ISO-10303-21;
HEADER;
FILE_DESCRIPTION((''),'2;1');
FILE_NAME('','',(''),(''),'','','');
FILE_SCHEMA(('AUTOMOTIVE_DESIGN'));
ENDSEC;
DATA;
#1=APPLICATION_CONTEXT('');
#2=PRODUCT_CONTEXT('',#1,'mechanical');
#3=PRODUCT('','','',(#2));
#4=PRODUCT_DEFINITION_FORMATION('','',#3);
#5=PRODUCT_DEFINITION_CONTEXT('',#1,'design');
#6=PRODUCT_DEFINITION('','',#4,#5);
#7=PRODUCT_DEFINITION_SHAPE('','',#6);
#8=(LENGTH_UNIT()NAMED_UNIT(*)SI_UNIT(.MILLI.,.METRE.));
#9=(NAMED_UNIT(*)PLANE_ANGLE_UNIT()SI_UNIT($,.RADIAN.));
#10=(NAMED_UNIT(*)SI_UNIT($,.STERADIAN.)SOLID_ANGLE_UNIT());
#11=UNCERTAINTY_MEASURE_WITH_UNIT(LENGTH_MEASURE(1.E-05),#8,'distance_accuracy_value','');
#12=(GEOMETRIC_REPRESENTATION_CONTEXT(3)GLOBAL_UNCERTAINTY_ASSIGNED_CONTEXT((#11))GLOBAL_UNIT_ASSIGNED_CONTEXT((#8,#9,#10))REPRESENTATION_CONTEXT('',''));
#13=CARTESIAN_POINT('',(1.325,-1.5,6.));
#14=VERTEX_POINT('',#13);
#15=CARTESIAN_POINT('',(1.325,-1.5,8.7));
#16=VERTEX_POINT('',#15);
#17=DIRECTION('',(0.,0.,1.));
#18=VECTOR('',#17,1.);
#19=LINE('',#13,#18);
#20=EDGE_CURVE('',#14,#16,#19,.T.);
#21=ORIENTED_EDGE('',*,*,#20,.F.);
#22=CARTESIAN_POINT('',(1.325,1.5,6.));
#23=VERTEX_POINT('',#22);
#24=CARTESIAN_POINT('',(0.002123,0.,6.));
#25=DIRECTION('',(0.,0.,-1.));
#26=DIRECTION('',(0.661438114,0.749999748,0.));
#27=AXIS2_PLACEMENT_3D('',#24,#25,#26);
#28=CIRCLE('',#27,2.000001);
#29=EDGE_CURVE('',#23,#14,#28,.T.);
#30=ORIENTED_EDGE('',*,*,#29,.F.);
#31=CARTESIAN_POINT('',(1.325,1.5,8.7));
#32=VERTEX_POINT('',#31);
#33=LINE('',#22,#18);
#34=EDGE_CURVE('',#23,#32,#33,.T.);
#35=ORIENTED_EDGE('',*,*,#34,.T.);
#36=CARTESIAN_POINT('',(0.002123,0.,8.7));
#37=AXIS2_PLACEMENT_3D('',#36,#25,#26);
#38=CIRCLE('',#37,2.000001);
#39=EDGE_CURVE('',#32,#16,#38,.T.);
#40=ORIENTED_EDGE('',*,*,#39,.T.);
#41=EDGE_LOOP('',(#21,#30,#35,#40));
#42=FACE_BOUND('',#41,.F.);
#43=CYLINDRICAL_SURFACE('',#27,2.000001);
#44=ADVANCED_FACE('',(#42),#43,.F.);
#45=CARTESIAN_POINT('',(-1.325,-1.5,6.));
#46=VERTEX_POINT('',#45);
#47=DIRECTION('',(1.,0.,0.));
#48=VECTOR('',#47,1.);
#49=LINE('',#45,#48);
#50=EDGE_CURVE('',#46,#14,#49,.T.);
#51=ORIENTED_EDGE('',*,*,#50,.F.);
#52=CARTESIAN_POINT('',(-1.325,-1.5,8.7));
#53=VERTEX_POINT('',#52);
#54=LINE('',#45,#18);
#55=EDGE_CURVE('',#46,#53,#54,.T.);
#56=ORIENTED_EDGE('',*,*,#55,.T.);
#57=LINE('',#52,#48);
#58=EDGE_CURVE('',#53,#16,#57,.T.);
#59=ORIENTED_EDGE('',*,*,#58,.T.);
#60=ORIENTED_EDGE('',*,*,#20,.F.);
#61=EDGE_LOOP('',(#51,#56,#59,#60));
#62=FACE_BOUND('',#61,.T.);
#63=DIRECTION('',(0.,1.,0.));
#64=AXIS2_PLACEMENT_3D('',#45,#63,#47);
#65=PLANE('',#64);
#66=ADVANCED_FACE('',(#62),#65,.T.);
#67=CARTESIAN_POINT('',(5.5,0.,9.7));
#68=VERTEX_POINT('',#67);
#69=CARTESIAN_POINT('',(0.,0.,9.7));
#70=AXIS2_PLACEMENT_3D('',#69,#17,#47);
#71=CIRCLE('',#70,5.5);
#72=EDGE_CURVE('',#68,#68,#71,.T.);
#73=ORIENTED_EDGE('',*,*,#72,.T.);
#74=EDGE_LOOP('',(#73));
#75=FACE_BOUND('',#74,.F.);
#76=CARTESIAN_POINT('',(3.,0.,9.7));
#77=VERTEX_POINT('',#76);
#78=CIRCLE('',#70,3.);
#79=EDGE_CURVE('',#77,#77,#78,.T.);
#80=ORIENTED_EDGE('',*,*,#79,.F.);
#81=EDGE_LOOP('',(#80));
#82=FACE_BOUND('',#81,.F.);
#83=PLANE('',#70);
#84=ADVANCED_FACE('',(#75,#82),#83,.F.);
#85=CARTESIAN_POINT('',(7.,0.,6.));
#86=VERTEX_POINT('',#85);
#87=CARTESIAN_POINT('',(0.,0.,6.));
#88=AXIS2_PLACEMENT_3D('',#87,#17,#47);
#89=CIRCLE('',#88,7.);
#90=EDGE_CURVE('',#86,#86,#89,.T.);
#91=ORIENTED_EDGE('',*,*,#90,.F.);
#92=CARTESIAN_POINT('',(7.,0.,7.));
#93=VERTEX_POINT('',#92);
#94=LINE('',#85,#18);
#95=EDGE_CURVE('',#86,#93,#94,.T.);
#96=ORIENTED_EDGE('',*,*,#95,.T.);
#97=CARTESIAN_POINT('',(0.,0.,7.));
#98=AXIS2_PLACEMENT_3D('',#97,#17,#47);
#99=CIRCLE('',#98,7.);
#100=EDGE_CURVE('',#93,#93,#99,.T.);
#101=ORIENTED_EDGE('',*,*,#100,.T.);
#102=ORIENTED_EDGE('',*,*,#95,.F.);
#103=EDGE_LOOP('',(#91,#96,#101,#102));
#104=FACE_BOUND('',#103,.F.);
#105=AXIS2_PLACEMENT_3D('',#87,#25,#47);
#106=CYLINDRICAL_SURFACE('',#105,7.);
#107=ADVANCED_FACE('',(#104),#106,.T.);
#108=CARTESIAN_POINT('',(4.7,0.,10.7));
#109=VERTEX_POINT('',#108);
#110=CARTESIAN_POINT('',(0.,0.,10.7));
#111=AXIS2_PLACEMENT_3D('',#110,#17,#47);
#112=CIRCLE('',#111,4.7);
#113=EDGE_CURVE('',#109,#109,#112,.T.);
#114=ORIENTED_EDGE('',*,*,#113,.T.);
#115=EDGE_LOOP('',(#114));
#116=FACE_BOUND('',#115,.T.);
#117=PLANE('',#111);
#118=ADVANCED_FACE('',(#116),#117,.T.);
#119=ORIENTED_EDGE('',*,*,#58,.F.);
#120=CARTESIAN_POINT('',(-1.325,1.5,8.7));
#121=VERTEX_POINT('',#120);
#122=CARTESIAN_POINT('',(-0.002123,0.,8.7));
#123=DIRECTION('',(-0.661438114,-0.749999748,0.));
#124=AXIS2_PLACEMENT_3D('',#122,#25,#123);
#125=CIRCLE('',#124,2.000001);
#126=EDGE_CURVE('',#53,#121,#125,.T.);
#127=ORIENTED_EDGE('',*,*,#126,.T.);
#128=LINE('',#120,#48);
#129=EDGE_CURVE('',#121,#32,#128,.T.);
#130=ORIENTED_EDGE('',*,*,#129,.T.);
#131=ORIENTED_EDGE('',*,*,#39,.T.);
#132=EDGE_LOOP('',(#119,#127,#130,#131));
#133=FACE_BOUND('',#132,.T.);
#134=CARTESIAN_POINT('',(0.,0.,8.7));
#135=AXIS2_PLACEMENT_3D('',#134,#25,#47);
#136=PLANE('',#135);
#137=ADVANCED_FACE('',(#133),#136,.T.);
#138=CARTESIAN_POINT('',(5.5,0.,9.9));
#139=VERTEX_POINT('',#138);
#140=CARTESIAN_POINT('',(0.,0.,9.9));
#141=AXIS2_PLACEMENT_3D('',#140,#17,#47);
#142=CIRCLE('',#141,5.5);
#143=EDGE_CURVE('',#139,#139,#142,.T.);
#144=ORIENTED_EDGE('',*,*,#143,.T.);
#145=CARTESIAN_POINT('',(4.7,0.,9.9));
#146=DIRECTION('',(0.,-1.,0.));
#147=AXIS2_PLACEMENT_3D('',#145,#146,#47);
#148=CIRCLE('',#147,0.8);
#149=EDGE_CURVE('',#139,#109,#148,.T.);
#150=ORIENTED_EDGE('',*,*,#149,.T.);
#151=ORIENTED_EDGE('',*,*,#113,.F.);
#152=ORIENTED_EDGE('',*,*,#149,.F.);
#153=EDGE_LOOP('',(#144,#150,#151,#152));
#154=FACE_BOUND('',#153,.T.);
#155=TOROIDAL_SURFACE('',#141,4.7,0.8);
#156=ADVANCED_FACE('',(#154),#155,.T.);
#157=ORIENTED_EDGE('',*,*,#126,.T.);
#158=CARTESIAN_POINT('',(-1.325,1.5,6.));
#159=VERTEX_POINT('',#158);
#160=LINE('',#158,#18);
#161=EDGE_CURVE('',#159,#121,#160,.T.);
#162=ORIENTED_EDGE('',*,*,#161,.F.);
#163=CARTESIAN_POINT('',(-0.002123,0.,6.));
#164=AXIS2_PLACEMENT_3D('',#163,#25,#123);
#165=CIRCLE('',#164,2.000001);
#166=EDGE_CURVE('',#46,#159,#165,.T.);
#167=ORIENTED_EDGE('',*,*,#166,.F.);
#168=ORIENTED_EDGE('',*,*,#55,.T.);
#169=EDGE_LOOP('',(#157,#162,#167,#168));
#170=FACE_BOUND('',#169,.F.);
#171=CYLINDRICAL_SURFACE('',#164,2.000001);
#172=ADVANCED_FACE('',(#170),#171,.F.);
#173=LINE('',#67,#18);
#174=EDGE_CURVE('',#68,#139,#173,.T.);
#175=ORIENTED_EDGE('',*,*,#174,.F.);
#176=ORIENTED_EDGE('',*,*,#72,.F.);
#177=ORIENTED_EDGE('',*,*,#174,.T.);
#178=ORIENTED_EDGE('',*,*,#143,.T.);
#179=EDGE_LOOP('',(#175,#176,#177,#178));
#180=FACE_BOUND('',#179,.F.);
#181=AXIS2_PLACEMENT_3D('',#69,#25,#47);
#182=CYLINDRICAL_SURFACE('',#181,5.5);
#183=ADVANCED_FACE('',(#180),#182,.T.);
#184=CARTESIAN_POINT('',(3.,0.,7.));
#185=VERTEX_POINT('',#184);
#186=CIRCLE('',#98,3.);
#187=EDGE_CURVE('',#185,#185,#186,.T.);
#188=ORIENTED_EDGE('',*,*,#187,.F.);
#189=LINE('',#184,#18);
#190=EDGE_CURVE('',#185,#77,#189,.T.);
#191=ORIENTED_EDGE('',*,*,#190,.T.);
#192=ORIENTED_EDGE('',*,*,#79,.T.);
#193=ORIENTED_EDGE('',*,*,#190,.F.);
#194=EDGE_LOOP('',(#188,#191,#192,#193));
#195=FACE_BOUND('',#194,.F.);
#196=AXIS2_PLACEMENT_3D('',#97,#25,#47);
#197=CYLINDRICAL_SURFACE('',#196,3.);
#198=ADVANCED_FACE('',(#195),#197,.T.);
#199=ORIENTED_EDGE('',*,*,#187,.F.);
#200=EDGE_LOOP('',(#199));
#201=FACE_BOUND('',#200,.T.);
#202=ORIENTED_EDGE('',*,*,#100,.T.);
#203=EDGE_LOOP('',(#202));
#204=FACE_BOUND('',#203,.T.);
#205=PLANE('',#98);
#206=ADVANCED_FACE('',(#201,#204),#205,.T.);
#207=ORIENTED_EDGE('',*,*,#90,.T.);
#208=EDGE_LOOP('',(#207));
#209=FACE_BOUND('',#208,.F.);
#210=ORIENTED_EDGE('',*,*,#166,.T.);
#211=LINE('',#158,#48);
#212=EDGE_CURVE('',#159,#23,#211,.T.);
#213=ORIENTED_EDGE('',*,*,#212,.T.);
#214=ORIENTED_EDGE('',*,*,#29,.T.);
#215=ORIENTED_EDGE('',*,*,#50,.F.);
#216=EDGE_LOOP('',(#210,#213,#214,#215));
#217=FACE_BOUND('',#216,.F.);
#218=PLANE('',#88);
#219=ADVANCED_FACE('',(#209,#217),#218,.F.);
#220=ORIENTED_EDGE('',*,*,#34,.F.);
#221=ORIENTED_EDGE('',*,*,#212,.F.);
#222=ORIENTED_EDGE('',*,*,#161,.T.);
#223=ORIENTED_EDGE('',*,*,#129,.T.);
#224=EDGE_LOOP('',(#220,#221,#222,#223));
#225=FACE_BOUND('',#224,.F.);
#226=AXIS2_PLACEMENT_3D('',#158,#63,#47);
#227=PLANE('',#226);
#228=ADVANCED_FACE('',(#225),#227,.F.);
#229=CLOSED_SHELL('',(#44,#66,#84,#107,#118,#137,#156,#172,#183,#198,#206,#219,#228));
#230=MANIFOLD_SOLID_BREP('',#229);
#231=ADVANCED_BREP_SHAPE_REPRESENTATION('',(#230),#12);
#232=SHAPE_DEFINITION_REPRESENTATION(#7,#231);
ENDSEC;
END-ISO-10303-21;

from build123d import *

# Parameters (mm, degrees)
SKETCH006_R     = 7
PAD005_DEPTH    = 1
SKETCH007_R     = 3
PAD006_DEPTH    = 2.7
SKETCH008_R     = 5.5
PAD007_DEPTH    = 1
FILLET_R        = 0.8
POCKET001_DEPTH = 2.7


with BuildPart() as part:
    # Sketch006 → Pad005 (new body)
    with BuildSketch(Plane.XY):
        Circle(SKETCH006_R)
    extrude(amount=PAD005_DEPTH)

    # Sketch007 (on Face3 of Pad005) → Pad006 (join)
    with BuildSketch(Plane.XY.offset(1)):
        Circle(SKETCH007_R)
    extrude(amount=PAD006_DEPTH)

    # Sketch008 (on Face5 of Pad006) → Pad007 (join)
    with BuildSketch(Plane.XY.offset(3.7)):
        Circle(SKETCH008_R)
    extrude(amount=PAD007_DEPTH)

    # Fillet
    fillet_edges = [part.edges().sort_by_distance(p)[0] for p in [
        (-5.5, 0, 4.7),
    ]]
    fillet(fillet_edges, radius=FILLET_R)

    # Sketch009 (on Face8 of Fillet) → Pocket001 (cut)
    with BuildSketch(Plane(origin=(0, 0, 0), x_dir=(1, 0, 0), z_dir=(0, 0, -1))):
        with BuildLine():
            ThreePointArc((-1.325, 1.5), (-2.002124, 0), (-1.325, -1.5))
            Line((-1.325, -1.5), (1.325, -1.5))
            ThreePointArc((1.325, -1.5), (2.002124, 0), (1.325, 1.5))
            Line((-1.325, 1.5), (1.325, 1.5))
        make_face()
    extrude(amount=-POCKET001_DEPTH, mode=Mode.SUBTRACT)


with BuildPart() as part_1:
    # Body003 placement: moved
    add(part.part.moved(Location((0, 0, 6))))


solid = part_1.part
